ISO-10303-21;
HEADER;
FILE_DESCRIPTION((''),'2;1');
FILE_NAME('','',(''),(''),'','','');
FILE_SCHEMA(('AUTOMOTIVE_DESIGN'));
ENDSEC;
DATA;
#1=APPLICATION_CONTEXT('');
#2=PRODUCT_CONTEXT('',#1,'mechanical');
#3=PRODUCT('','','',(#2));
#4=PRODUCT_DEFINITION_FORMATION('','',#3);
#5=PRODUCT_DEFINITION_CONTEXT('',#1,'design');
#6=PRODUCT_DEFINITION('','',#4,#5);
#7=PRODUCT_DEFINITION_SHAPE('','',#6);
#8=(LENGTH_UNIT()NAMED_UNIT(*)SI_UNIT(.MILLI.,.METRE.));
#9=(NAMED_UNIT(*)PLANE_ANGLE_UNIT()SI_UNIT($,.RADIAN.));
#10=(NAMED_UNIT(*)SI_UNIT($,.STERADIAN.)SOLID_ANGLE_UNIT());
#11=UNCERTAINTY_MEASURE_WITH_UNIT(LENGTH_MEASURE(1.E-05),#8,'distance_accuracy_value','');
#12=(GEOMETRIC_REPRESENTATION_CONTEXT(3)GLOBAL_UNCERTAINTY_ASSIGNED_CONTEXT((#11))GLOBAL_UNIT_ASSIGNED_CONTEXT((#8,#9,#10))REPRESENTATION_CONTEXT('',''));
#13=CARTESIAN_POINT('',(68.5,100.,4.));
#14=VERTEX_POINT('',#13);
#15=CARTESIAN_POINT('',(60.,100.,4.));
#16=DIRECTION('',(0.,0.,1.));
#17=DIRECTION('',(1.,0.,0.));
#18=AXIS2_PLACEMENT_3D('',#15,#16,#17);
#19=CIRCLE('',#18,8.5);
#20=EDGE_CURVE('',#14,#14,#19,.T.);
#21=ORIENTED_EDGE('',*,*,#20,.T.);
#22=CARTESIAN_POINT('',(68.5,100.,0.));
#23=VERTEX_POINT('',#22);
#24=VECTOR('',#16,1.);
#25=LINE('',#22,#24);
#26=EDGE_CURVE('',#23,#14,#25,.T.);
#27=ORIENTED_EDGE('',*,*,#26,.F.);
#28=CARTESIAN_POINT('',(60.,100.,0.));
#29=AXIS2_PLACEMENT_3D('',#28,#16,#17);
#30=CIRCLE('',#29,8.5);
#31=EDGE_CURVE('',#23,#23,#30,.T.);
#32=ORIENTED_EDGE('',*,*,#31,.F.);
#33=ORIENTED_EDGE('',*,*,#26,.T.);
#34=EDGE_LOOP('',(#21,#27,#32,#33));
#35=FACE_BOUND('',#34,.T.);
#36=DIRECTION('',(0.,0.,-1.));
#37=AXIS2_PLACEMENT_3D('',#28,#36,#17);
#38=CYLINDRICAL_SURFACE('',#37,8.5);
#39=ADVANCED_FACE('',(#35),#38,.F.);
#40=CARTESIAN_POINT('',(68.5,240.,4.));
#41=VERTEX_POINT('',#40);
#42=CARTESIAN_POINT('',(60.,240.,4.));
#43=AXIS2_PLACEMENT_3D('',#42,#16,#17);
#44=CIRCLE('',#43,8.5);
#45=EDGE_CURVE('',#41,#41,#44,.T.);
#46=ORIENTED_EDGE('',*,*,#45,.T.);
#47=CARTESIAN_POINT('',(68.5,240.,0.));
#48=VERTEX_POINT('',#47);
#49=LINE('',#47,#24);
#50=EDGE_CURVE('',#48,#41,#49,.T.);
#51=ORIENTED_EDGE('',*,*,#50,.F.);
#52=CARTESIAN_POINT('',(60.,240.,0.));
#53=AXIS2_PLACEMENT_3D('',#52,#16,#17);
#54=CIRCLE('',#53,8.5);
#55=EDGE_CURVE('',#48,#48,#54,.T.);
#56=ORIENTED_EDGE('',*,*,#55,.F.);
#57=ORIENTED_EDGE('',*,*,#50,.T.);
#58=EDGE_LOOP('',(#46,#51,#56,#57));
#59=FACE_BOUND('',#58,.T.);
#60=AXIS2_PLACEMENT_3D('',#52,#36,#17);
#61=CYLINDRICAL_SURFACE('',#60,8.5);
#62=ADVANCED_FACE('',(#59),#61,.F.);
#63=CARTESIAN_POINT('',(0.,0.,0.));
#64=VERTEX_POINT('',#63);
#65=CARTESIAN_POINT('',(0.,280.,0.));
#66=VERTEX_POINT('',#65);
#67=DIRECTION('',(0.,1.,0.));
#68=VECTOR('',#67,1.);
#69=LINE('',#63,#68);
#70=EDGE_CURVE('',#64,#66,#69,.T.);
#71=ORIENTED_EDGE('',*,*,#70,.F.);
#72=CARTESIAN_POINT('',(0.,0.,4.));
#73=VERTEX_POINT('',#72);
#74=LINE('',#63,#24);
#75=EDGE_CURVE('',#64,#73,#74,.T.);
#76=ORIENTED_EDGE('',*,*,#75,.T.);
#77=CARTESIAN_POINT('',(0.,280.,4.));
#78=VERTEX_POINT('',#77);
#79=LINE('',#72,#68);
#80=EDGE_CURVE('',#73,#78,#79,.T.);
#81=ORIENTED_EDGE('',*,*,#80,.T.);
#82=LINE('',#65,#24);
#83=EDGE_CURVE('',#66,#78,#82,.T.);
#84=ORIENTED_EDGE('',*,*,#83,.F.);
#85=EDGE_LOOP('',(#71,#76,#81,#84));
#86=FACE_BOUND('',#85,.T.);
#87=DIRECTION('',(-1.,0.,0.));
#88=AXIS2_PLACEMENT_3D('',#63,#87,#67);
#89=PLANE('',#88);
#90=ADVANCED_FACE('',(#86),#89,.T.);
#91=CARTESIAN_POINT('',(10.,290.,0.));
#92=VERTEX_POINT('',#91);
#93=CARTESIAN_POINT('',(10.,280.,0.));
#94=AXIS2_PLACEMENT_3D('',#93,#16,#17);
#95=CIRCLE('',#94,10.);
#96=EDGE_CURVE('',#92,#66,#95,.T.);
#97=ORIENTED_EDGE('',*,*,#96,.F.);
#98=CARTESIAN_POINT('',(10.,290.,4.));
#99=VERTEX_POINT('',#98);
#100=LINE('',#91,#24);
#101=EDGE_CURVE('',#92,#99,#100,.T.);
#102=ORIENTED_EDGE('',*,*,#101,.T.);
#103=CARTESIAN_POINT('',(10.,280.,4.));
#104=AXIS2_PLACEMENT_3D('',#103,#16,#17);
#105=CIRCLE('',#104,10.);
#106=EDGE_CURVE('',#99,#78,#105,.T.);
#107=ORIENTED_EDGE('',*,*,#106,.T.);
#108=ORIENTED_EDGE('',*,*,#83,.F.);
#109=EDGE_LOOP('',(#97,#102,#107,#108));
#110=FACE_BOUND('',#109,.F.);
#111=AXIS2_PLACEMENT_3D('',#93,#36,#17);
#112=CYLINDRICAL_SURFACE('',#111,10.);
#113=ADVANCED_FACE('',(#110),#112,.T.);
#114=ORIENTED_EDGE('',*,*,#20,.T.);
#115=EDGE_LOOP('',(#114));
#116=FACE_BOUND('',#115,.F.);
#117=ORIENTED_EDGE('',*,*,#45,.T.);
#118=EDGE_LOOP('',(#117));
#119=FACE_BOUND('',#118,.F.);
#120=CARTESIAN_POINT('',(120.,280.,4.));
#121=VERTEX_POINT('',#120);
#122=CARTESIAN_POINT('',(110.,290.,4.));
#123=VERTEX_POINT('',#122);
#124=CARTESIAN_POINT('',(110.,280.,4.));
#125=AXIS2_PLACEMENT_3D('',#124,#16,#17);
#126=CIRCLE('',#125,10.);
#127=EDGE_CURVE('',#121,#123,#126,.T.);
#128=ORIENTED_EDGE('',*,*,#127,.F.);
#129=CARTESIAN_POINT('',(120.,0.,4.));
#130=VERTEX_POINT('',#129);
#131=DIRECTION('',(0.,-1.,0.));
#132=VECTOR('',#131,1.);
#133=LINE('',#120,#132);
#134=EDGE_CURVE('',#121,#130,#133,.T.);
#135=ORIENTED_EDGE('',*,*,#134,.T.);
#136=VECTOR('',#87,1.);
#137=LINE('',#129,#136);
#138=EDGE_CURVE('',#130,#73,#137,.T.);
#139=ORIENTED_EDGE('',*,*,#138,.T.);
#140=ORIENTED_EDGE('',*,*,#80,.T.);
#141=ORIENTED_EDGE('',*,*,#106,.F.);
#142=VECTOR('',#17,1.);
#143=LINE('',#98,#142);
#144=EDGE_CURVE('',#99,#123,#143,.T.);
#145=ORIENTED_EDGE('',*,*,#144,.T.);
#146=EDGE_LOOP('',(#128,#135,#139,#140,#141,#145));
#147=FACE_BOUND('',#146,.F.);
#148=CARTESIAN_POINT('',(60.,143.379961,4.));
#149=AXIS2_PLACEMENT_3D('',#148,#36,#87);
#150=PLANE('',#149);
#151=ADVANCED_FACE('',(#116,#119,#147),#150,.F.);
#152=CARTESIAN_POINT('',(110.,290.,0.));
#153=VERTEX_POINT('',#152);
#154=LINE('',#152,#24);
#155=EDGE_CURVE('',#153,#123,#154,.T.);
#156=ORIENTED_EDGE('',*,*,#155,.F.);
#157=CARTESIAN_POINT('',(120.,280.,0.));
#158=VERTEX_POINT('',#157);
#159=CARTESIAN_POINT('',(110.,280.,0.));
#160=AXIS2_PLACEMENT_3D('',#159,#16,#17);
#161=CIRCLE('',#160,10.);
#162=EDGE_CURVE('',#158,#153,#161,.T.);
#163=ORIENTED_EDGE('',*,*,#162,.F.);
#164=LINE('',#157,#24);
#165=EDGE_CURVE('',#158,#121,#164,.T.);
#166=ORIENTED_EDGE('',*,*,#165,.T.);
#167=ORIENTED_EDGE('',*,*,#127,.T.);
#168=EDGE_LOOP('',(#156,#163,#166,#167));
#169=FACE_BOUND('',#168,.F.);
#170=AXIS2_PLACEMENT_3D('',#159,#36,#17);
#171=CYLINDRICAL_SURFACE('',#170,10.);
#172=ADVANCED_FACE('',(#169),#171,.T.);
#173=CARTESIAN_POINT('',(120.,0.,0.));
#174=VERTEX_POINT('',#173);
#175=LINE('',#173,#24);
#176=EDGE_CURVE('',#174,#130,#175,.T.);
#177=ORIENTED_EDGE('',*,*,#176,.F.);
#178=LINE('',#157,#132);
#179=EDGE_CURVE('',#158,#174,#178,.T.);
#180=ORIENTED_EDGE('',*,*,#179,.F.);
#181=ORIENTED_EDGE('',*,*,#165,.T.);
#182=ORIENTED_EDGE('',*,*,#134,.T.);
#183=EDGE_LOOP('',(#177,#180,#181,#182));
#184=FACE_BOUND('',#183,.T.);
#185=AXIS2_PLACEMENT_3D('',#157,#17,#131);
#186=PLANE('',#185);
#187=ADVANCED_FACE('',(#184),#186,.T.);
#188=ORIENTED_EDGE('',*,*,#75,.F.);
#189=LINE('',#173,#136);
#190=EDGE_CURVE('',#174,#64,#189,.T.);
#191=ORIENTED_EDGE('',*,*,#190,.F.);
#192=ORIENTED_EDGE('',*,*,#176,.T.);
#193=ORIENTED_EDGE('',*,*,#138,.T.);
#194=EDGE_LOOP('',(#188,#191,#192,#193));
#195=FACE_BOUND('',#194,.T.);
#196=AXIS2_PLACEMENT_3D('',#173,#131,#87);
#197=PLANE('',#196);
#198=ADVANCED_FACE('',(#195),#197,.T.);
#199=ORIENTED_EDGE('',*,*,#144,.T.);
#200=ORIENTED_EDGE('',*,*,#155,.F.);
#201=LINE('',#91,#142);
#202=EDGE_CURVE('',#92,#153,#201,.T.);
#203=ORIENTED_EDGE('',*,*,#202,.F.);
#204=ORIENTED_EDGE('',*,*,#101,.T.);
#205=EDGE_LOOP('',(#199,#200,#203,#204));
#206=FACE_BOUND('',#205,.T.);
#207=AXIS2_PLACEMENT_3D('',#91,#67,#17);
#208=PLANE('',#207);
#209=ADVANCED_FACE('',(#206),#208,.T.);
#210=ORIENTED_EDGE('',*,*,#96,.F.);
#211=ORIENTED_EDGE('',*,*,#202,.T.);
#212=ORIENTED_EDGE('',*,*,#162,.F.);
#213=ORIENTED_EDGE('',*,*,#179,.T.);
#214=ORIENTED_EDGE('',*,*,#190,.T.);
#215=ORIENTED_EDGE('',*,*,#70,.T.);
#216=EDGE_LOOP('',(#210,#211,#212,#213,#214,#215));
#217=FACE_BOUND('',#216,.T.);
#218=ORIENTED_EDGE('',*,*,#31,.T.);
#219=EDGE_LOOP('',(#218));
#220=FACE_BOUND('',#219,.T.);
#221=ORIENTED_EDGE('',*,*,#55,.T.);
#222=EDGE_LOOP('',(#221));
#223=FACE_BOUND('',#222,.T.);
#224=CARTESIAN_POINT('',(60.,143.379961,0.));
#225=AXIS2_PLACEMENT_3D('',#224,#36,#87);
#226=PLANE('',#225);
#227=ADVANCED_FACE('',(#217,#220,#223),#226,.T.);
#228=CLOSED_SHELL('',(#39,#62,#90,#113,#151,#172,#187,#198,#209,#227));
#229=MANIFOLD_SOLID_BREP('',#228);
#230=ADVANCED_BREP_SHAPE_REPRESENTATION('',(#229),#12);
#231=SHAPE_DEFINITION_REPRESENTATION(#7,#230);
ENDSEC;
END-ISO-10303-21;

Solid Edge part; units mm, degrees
sketch "Sketch1" plane through (0, 0, 0) normal (0, 0, 1) x (1, 0, 0)
  circle A0 centre (60, 240) radius 8.5
  line L0 (120, 280) -> (120, 0)
  line L1 (120, 0) -> (0, 0)
  line L2 (0, 0) -> (0, 280)
  arc A1 (10, 290) -> (0, 280) centre (10, 280) ccw
  line L3 (10, 290) -> (110, 290)
  arc A2 (120, 280) -> (110, 290) centre (110, 280) ccw
  circle A3 centre (60, 100) radius 8.5
  dimension "D1" = 100
  dimension "D2" = 280
  dimension "D3" = 50
  dimension "D4" = 190
  dimension "D5" = 60
  dimension "D6" = 17
  dimension "D7" = 17
  dimension "D8" = 10
extrude "Protrusion1" add sketch "Sketch1" along normal blind 4
